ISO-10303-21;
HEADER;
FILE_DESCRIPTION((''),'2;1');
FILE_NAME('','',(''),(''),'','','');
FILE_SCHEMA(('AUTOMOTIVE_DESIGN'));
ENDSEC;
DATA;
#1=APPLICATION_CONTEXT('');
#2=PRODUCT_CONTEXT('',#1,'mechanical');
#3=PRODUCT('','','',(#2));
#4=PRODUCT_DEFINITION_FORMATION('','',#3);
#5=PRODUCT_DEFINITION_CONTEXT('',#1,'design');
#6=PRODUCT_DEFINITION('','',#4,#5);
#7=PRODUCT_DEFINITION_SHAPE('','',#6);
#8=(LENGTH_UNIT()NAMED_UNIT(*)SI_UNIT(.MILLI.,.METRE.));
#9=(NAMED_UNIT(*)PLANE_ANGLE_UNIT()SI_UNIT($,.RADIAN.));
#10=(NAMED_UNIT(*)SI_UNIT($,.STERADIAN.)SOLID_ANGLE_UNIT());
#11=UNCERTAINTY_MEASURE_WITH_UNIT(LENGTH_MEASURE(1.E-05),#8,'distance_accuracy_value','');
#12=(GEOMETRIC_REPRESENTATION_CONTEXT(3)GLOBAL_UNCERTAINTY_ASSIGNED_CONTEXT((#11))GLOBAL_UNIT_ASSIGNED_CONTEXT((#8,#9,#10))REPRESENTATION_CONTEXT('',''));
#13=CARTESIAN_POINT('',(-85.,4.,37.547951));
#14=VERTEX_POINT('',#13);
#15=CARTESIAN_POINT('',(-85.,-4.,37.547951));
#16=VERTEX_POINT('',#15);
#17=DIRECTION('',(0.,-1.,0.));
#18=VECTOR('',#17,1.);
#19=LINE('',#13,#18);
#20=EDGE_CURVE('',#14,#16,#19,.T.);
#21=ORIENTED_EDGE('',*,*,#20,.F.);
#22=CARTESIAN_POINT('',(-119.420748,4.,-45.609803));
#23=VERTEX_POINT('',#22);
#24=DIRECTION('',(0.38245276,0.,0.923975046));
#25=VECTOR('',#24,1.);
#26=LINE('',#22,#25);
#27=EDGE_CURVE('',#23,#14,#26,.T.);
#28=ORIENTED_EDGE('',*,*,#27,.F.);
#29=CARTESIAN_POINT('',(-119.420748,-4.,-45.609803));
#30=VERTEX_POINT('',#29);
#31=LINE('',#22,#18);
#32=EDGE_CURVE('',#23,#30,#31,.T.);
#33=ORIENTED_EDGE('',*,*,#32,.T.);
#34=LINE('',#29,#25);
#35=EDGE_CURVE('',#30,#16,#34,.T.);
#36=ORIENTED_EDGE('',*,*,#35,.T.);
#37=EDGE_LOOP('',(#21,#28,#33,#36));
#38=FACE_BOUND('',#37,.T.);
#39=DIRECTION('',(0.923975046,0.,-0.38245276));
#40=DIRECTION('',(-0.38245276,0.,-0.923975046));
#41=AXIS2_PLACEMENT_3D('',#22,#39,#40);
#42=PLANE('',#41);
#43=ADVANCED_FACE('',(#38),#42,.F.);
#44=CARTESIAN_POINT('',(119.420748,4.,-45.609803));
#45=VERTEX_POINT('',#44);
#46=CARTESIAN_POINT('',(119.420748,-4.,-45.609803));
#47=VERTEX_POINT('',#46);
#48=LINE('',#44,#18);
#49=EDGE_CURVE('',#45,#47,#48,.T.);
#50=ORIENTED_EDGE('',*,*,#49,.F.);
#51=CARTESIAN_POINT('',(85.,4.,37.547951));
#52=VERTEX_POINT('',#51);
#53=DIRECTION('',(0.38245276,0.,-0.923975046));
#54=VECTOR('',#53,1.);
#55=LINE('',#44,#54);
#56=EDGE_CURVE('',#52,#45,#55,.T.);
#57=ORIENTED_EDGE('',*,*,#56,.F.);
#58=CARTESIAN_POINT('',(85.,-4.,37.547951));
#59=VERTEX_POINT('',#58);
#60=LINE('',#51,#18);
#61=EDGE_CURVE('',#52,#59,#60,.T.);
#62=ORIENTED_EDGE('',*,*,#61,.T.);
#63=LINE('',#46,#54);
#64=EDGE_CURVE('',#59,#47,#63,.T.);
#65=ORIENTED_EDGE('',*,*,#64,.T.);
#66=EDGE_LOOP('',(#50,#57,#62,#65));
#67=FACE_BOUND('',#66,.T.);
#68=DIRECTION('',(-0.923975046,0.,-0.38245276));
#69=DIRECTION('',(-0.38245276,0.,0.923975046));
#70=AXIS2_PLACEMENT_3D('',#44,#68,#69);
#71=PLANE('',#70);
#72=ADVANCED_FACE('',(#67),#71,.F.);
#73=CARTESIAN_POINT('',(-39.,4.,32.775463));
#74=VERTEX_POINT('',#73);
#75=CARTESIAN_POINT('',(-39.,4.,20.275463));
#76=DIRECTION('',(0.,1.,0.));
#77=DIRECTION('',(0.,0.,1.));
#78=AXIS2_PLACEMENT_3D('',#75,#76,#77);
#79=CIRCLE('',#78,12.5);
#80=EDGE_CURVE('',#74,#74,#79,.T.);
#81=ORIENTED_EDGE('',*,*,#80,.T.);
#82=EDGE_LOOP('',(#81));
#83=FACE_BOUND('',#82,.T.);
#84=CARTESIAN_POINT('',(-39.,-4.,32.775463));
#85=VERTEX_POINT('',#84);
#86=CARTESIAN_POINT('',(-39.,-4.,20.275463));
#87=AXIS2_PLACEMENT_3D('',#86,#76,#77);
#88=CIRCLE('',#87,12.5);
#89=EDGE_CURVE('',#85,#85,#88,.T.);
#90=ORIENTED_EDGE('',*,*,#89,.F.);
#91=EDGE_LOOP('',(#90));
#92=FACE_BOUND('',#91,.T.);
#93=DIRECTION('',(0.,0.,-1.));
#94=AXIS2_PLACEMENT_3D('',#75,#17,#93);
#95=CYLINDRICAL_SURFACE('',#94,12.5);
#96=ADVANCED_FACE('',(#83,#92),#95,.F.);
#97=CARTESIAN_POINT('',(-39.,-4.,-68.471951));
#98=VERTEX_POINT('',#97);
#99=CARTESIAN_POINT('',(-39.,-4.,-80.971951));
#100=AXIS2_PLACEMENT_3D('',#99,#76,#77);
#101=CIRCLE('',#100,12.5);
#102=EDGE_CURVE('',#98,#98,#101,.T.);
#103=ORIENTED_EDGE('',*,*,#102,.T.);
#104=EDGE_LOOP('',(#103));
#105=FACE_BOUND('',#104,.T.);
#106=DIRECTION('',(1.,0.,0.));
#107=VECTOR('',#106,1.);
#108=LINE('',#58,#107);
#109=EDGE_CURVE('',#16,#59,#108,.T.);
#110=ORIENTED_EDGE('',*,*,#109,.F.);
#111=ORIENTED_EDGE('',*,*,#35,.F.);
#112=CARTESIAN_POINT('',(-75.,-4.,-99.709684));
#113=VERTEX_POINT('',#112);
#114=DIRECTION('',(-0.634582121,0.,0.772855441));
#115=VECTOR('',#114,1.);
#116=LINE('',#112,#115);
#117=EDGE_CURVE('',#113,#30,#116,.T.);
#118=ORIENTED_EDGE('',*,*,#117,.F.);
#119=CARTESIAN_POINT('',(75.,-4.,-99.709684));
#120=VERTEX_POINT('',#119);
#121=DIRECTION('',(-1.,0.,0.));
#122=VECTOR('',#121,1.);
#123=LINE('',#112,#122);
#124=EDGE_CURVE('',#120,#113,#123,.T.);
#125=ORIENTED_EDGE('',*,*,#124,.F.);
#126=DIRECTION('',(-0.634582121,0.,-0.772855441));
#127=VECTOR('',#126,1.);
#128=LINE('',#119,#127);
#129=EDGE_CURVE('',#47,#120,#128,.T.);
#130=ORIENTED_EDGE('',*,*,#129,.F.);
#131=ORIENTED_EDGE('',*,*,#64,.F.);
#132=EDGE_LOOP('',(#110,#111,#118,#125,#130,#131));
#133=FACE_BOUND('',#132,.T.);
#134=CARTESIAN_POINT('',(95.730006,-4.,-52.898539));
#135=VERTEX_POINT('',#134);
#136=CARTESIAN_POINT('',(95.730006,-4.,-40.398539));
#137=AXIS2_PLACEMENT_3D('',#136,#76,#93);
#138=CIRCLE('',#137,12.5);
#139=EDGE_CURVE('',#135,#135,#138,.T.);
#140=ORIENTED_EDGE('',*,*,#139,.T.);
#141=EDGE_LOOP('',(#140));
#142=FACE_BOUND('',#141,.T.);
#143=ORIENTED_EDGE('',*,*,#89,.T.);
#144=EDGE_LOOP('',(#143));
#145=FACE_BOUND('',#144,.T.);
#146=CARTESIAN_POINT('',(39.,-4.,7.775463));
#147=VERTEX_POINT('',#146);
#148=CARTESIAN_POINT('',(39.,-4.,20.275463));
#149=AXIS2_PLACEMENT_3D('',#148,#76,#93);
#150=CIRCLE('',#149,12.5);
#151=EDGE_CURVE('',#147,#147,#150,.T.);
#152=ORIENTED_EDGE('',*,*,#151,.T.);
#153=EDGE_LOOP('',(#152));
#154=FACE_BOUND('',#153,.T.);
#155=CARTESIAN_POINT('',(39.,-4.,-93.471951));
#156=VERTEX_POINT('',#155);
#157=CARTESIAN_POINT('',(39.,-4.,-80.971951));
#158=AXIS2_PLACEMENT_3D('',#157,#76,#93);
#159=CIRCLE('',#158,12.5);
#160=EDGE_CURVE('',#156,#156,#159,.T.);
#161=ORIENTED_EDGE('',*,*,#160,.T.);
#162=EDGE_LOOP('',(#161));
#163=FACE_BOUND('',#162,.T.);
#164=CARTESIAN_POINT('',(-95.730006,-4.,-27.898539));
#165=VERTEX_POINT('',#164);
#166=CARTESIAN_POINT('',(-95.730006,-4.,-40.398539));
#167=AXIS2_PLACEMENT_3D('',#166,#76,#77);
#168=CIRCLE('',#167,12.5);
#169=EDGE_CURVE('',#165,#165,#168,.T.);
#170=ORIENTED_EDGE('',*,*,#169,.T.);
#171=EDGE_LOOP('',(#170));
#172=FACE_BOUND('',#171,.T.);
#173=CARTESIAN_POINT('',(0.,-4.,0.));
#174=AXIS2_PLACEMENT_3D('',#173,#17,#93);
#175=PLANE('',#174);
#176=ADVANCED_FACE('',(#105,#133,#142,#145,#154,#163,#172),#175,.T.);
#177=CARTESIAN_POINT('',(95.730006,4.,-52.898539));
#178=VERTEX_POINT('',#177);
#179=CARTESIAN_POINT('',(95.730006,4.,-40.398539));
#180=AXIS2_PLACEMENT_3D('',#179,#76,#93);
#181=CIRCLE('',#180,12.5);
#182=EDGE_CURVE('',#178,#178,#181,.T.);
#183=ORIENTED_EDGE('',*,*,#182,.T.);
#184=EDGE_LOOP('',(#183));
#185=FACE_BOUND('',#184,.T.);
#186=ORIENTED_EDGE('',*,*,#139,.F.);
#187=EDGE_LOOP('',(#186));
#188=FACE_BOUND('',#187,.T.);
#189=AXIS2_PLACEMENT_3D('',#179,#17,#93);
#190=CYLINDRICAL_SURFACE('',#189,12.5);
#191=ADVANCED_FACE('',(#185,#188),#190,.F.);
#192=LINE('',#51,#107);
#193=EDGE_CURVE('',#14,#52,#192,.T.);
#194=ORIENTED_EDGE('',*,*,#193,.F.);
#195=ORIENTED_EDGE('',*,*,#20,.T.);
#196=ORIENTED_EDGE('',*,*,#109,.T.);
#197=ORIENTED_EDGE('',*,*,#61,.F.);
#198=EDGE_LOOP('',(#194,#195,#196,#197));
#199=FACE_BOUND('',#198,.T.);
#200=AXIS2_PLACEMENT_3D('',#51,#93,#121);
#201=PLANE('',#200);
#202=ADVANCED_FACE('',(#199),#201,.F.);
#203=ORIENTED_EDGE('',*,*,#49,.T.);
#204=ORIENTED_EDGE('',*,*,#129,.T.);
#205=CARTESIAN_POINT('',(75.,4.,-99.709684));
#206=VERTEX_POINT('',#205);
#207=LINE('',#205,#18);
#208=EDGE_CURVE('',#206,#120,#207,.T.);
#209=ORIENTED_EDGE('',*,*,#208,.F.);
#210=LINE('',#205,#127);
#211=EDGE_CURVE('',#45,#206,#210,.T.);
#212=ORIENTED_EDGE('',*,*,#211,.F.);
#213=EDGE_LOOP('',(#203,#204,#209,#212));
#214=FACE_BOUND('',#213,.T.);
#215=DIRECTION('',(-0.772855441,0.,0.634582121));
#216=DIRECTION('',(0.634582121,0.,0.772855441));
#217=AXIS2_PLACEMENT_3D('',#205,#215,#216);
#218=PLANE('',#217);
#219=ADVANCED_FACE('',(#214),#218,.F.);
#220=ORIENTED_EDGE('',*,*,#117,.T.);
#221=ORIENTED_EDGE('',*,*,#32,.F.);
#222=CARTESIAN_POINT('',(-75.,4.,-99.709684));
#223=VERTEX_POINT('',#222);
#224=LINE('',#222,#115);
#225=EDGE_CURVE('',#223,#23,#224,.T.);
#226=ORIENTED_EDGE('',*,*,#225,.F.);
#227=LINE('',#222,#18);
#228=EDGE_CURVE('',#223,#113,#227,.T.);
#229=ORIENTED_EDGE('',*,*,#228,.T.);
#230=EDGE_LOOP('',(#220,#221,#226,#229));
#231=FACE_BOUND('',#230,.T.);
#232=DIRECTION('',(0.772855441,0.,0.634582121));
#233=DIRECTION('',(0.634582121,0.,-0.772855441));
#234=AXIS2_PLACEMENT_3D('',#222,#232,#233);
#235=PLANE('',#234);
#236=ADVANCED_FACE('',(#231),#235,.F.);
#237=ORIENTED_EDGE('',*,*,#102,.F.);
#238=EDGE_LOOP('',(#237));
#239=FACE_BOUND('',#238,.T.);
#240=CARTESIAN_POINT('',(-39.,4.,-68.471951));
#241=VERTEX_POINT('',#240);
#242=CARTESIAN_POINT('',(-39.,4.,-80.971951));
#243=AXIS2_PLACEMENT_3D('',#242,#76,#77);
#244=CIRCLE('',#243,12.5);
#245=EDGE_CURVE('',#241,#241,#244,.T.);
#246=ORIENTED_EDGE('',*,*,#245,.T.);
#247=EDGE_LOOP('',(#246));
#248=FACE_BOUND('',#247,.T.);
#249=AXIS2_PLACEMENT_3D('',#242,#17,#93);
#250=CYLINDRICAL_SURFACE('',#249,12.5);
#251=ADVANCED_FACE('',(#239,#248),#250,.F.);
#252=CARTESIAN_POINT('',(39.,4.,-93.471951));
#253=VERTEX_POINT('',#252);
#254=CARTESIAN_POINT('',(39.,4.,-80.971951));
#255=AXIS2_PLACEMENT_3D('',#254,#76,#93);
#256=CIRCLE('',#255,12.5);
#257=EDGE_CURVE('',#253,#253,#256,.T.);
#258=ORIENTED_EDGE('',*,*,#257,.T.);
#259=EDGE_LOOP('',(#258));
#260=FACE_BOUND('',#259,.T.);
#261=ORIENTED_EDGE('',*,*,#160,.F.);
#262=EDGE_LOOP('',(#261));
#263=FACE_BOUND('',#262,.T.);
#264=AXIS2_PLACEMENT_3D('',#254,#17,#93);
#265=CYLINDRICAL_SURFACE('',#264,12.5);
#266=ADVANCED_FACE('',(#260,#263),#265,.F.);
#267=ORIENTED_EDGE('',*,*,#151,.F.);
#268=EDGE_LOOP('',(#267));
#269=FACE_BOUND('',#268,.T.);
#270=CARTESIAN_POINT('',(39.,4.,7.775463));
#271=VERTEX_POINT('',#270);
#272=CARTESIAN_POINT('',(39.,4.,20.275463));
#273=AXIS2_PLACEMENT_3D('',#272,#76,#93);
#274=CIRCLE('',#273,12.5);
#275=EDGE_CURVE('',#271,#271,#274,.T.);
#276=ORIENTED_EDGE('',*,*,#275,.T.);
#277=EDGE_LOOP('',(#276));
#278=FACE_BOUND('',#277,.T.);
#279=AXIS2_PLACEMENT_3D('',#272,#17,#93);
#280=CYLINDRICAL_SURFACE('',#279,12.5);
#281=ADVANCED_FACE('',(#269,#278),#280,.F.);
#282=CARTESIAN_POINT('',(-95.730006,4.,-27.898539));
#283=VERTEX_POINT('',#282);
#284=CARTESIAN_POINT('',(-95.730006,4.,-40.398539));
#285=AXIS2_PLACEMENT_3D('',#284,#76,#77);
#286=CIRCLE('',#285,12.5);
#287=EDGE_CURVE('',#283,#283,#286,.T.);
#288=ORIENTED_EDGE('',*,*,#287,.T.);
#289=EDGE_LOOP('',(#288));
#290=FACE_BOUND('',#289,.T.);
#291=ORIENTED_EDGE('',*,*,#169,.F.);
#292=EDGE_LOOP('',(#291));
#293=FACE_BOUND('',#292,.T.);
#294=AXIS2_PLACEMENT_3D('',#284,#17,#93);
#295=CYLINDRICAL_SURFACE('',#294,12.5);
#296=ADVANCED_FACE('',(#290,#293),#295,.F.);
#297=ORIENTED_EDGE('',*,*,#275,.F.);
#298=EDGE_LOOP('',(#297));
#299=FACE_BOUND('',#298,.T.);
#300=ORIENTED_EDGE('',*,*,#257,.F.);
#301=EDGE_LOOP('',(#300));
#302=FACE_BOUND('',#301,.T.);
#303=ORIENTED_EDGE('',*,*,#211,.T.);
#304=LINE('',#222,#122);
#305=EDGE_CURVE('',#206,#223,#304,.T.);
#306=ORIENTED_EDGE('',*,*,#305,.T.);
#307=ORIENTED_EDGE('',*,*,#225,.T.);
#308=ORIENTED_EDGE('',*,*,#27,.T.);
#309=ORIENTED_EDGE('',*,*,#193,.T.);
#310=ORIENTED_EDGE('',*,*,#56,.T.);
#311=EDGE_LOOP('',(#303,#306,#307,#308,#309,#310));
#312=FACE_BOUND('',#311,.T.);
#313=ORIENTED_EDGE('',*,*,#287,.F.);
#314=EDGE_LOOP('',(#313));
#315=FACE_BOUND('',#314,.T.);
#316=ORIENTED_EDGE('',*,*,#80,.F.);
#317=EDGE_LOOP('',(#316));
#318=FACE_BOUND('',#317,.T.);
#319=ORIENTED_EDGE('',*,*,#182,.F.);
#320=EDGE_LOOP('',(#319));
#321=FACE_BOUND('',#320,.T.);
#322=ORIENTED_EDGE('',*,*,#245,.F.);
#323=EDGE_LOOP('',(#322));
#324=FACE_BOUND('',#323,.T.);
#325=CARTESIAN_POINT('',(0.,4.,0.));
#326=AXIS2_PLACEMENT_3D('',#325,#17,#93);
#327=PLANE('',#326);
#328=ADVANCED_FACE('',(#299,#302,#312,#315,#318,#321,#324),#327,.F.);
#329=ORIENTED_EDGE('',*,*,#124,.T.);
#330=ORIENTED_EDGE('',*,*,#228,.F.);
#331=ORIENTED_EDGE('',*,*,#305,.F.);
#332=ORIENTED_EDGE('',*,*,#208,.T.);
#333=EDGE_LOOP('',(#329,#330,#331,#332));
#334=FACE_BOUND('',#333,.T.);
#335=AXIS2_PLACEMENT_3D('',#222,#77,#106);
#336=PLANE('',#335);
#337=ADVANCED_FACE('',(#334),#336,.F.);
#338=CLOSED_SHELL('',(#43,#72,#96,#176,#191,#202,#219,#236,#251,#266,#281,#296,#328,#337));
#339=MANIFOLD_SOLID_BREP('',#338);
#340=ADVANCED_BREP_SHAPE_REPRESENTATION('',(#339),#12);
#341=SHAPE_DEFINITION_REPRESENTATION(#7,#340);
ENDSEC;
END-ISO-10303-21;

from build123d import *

# Parameters (mm, degrees)
SKETCH_1_R      = 12.5
EXTRUDE_1_DEPTH = 4


with BuildPart() as part:
    # 草图1 → 凸台-拉伸1 (new, symmetric)
    with BuildSketch(Plane(origin=(0, 0, 0), x_dir=(1, 0, 0), z_dir=(0, 1, 0))):
        Polygon((-75, 99.709683748), (75, 99.709683748), (119.42074844, 45.609802898), (85, -37.547951261), (-85, -37.547951261), (-119.42074844, 45.609802898), align=None)
        with Locations(Location((-95.730005712, 40.398538957, 0), (0, 0, 270))):
            Circle(SKETCH_1_R, mode=Mode.SUBTRACT)
        with Locations(Location((-39, 80.971951072, 0), (0, 0, 270))):
            Circle(SKETCH_1_R, mode=Mode.SUBTRACT)
        with Locations(Location((-39, -20.275462647, 0), (0, 0, 270))):
            Circle(SKETCH_1_R, mode=Mode.SUBTRACT)
        with Locations(Location((39, -20.275462647, 0), (0, 0, 90))):
            Circle(SKETCH_1_R, mode=Mode.SUBTRACT)
        with Locations(Location((39, 80.971951072, 0), (0, 0, 90))):
            Circle(SKETCH_1_R, mode=Mode.SUBTRACT)
        with Locations(Location((95.730005712, 40.398538957, 0), (0, 0, 90))):
            Circle(SKETCH_1_R, mode=Mode.SUBTRACT)
    extrude(amount=EXTRUDE_1_DEPTH, both=True)


solid = part.part
